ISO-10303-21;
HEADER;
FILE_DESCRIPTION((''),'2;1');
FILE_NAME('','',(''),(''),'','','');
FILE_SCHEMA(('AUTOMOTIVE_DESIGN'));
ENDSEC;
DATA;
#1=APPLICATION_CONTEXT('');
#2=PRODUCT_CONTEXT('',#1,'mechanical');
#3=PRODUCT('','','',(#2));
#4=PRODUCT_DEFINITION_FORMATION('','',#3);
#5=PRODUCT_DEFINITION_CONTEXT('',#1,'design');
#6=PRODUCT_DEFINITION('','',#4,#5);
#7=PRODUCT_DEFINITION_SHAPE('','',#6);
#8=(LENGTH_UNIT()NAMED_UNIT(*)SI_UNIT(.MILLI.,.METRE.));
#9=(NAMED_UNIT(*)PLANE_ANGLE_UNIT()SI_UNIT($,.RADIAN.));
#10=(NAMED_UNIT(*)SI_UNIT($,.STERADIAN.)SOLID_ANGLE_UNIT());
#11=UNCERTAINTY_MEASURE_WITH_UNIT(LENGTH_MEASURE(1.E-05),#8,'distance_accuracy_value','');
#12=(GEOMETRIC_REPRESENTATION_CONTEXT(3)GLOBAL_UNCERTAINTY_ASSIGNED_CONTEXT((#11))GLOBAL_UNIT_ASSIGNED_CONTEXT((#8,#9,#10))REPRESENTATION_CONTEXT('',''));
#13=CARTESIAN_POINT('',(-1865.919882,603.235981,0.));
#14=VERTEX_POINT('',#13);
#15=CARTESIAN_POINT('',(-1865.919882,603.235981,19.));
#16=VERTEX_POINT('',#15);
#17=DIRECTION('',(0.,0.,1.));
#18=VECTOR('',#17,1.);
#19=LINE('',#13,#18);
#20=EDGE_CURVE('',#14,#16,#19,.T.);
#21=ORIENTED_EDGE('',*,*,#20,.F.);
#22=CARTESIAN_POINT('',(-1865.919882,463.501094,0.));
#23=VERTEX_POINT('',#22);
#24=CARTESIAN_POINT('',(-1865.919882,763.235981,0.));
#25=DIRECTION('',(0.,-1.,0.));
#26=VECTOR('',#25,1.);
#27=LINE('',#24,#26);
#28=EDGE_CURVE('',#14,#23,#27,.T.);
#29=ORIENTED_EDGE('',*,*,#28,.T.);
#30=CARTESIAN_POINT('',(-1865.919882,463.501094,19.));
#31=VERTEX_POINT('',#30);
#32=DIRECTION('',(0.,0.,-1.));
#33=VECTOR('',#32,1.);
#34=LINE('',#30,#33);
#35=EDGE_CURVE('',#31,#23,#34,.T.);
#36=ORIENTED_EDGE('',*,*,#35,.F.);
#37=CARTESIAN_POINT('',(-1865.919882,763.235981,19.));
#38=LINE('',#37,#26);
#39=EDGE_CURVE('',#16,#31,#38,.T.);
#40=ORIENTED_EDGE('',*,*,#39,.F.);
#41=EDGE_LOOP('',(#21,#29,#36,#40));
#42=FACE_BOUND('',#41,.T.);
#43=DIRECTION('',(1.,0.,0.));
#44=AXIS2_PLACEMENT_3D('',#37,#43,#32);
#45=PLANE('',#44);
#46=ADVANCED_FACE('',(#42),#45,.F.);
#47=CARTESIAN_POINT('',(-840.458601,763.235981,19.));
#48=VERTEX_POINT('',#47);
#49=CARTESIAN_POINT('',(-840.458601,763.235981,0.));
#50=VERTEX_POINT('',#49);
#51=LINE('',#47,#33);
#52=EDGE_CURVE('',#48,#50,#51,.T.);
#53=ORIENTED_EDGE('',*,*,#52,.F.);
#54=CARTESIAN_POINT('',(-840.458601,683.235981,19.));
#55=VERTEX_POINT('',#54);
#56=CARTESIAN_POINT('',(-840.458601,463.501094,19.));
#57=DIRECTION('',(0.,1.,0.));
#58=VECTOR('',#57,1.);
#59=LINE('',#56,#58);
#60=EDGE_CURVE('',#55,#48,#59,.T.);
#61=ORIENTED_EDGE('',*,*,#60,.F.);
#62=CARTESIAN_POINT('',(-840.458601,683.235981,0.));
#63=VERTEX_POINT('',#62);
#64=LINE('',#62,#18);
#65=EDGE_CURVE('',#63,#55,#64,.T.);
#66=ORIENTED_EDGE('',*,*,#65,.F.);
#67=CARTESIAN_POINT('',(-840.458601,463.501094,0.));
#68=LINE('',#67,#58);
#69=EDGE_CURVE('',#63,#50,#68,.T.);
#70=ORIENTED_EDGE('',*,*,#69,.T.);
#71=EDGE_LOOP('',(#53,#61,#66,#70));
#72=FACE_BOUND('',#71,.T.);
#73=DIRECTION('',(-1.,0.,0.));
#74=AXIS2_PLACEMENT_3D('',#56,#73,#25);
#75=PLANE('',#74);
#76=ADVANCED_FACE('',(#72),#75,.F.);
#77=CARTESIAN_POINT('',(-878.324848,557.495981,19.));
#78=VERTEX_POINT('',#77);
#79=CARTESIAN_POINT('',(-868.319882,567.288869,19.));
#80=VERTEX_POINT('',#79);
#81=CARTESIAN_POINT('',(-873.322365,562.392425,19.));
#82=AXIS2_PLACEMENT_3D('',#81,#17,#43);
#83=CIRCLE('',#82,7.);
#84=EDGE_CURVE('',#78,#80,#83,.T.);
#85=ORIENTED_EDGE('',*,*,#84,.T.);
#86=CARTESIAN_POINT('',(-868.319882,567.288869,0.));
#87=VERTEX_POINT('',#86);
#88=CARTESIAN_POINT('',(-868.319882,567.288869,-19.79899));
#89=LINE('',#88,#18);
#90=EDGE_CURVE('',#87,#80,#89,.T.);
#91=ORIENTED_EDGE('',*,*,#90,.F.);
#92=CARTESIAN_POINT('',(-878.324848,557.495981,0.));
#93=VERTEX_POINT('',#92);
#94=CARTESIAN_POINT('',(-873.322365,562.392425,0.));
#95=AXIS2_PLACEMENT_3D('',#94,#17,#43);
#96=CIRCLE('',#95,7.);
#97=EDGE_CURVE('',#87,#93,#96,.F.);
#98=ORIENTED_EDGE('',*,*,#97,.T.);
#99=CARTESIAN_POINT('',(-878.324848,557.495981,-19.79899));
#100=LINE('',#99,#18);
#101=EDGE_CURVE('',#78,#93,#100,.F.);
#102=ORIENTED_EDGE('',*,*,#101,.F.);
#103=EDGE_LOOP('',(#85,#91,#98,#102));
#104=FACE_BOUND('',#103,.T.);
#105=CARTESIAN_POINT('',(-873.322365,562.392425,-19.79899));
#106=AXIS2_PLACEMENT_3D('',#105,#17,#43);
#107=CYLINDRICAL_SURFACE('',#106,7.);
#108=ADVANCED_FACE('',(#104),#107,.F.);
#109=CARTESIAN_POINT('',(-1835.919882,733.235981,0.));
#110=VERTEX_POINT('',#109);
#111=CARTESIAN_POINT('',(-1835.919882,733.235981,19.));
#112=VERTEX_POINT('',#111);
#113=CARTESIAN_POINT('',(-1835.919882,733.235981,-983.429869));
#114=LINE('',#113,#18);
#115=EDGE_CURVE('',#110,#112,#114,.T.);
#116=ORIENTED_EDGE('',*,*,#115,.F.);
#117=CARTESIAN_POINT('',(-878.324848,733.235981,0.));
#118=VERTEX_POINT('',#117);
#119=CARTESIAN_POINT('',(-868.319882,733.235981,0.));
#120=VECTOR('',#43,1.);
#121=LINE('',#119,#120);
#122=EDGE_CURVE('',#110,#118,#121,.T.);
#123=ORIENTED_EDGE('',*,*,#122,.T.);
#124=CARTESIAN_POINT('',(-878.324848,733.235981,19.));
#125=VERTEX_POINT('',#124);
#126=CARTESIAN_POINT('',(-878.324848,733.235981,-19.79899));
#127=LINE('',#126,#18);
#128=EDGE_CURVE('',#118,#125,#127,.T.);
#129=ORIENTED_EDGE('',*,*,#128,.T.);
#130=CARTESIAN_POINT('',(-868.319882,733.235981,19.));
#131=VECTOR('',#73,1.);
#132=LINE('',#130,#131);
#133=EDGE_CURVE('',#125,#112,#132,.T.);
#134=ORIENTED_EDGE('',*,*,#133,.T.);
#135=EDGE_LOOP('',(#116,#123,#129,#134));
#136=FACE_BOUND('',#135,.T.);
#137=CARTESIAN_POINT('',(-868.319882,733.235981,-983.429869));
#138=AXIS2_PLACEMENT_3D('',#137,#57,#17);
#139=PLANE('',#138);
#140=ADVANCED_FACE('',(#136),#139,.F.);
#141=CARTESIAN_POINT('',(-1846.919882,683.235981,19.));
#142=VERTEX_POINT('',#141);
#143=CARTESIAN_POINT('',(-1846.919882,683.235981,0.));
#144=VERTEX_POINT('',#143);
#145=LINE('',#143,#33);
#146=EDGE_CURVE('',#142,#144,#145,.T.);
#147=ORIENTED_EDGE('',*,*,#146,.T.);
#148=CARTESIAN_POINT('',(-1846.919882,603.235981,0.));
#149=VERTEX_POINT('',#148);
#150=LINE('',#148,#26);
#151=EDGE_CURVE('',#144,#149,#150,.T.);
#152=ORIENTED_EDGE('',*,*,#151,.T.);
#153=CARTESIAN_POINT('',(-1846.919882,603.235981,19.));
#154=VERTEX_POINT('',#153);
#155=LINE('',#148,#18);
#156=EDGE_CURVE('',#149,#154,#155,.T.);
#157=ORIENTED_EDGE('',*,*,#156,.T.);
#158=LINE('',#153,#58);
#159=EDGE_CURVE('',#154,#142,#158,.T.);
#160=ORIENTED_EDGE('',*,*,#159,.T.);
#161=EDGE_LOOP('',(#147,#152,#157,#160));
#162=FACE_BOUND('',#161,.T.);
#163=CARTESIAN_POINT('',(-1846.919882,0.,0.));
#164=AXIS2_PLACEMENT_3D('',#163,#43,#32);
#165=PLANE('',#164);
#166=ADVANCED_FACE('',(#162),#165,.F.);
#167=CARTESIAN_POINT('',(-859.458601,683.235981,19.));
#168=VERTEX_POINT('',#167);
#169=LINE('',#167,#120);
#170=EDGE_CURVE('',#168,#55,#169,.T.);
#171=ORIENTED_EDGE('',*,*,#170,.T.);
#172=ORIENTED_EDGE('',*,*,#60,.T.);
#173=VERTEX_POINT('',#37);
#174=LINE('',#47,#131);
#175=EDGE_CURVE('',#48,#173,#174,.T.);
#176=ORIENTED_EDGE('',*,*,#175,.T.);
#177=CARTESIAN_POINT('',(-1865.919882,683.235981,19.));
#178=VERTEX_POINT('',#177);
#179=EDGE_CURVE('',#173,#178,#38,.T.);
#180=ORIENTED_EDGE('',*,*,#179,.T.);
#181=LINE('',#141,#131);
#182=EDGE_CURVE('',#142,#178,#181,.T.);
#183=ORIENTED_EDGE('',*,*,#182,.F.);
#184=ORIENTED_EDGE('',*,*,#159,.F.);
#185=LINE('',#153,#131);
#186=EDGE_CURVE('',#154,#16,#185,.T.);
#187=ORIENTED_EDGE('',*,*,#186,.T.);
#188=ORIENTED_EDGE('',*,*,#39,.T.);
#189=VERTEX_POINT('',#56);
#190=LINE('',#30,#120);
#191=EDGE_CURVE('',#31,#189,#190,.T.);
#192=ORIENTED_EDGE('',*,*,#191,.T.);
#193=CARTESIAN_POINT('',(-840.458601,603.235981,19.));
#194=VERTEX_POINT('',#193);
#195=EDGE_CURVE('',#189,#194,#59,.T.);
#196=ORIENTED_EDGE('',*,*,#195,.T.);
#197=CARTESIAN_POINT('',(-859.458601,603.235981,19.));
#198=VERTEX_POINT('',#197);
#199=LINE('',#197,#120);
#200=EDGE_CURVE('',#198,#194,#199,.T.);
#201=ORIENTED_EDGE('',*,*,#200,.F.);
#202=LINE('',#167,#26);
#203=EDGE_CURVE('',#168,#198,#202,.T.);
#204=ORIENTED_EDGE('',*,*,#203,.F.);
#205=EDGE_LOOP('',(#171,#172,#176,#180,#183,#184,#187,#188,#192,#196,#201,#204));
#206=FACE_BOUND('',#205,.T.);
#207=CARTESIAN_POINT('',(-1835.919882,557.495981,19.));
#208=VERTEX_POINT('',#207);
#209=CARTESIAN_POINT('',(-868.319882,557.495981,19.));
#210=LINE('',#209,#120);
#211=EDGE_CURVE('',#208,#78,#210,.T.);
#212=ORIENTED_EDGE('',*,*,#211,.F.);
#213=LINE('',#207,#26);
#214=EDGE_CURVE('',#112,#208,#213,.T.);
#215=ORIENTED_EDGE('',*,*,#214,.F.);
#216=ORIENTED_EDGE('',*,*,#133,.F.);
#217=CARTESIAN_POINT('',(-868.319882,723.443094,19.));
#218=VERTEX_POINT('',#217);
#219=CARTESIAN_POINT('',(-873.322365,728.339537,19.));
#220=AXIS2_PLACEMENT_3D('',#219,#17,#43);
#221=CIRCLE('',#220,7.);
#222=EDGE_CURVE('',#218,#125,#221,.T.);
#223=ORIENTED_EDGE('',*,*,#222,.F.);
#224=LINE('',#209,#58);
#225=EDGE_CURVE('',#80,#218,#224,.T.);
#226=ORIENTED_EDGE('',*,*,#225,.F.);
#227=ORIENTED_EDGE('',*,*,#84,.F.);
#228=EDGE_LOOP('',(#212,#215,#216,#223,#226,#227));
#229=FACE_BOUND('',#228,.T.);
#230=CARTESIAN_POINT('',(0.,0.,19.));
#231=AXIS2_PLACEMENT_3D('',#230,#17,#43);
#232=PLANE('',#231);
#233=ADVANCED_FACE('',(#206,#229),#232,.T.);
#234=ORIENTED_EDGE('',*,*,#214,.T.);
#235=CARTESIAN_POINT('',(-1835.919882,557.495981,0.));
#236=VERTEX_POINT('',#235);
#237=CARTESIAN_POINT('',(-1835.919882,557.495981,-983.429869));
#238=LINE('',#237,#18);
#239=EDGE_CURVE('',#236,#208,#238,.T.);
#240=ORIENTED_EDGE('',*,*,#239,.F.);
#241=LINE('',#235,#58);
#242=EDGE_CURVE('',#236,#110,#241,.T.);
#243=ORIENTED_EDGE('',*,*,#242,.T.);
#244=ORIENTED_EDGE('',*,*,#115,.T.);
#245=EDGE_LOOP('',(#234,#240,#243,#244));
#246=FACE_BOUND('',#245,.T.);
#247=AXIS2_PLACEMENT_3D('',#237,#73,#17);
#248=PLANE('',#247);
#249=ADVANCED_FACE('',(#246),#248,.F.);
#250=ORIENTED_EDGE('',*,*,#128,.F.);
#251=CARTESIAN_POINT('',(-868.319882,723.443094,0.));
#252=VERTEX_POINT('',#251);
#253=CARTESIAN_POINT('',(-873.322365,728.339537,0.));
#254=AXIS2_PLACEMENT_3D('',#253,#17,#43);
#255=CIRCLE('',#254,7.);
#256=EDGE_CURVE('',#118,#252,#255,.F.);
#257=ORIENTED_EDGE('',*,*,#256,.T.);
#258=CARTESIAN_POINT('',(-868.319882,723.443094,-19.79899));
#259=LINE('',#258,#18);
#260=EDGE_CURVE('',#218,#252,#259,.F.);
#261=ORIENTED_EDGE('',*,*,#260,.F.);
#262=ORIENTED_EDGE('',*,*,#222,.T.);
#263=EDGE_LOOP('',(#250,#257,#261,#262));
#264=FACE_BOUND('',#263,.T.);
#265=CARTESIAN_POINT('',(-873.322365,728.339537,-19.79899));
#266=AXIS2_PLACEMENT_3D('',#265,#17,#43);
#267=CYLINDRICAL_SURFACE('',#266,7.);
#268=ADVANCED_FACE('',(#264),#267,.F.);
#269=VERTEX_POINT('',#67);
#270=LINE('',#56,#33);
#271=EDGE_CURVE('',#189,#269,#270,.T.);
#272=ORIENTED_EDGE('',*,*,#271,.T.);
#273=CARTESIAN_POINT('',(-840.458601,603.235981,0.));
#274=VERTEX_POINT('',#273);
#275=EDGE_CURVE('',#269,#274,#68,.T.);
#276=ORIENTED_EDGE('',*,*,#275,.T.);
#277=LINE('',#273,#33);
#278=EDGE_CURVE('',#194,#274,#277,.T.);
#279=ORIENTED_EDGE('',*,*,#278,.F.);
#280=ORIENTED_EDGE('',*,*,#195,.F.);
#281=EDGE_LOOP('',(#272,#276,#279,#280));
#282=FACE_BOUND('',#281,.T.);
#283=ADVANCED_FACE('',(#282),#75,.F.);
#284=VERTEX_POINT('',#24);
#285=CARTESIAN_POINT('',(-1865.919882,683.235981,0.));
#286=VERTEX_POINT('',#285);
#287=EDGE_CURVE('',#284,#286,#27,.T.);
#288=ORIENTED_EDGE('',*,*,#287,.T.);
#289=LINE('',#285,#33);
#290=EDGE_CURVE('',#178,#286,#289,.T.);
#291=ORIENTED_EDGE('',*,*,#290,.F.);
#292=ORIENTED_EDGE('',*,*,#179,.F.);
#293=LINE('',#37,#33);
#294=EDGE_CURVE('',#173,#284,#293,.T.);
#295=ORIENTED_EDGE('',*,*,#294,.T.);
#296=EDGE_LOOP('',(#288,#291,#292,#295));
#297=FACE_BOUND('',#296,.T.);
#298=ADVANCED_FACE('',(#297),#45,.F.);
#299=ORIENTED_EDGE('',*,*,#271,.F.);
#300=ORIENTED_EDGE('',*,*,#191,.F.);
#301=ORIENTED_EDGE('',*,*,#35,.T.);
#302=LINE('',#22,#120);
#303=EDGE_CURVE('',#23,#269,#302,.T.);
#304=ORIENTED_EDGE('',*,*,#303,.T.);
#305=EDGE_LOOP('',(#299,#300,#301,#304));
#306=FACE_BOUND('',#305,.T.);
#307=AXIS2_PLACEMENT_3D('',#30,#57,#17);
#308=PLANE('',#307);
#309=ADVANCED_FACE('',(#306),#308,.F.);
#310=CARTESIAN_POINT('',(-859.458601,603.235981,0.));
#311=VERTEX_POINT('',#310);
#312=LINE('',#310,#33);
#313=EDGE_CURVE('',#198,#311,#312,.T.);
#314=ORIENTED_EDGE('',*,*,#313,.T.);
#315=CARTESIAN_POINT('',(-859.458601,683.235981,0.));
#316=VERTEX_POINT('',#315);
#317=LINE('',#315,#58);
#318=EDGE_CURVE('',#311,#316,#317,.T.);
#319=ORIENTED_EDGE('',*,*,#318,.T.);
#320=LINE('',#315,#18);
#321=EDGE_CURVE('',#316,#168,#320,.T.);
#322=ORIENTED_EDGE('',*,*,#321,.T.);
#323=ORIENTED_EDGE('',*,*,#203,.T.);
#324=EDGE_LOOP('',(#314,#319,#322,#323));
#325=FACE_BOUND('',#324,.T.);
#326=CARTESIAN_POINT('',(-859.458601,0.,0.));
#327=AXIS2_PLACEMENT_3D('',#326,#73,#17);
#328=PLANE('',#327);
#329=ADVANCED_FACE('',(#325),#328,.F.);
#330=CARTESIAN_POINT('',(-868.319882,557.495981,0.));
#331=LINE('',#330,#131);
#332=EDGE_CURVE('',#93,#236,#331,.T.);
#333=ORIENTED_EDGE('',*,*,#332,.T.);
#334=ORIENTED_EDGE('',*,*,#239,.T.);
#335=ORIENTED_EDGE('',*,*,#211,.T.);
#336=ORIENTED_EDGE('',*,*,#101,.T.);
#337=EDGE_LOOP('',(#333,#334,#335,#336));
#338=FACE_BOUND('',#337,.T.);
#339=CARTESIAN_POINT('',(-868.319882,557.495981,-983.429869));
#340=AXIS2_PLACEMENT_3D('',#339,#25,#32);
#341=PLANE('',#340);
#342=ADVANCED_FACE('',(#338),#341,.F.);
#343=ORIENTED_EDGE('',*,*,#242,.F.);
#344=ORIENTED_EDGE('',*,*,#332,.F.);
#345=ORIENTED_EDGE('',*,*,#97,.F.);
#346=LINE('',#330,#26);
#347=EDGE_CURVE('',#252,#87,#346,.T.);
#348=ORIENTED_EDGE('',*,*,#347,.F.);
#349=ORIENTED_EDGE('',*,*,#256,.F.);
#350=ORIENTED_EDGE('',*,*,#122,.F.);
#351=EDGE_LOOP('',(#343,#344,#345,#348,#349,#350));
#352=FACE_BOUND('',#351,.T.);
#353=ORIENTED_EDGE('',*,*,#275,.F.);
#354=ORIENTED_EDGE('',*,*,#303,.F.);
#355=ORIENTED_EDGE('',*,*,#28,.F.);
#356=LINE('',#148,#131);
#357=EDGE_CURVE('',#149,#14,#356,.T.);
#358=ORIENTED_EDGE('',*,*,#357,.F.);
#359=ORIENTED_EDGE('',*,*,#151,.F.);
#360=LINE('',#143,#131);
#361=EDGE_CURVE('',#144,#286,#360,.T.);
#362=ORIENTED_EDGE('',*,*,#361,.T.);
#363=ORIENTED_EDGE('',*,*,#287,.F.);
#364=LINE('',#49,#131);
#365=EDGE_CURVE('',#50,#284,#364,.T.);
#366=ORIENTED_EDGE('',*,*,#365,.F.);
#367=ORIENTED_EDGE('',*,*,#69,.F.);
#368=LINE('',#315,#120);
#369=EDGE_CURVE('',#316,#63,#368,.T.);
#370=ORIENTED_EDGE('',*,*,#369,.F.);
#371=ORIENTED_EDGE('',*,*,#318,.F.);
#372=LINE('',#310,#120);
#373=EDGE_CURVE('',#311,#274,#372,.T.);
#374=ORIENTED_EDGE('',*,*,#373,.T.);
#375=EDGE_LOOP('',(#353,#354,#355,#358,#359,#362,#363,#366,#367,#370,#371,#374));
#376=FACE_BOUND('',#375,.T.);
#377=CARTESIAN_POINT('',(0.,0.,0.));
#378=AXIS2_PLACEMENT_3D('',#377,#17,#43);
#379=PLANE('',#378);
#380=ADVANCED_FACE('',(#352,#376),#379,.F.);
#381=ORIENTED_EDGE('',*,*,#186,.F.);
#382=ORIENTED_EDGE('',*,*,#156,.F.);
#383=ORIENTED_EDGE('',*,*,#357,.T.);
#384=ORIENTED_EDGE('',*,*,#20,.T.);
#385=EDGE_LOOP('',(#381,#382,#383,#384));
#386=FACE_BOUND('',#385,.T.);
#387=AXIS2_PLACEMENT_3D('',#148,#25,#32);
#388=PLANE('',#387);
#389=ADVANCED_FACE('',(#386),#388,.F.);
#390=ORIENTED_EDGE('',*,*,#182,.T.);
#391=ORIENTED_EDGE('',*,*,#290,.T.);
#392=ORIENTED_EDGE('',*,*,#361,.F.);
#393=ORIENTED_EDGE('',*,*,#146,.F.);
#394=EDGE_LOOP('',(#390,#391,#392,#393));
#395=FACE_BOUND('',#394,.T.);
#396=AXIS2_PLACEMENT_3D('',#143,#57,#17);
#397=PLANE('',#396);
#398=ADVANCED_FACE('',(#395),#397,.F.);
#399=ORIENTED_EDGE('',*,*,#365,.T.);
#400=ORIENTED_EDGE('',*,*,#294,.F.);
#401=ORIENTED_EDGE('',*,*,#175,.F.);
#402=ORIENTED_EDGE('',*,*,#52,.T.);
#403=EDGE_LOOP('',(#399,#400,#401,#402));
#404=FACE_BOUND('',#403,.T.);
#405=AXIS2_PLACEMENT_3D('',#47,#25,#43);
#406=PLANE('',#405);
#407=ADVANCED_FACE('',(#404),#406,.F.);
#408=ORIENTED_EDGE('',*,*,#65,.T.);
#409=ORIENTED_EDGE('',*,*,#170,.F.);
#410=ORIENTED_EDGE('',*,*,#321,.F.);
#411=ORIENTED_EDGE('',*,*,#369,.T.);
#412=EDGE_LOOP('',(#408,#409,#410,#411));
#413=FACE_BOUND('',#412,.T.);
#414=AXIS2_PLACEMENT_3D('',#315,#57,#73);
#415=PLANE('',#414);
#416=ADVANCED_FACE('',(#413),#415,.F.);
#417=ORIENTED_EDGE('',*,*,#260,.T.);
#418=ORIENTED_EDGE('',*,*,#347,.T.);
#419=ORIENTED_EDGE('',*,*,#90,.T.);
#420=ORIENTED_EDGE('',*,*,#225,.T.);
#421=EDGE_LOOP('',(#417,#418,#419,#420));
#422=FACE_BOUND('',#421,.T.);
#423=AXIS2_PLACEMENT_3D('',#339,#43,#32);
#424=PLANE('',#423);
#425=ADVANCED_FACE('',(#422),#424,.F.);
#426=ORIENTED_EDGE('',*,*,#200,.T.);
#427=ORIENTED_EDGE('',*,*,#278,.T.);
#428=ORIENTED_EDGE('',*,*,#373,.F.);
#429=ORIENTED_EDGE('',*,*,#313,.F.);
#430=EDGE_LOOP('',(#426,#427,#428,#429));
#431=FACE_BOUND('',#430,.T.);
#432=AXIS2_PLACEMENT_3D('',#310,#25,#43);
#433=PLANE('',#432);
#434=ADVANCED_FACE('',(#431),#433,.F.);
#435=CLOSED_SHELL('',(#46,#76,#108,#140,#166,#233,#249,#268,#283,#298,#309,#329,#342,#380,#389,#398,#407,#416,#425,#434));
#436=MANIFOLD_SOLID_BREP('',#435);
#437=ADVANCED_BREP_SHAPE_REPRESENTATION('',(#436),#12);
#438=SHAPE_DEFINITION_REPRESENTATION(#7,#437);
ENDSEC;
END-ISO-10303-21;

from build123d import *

# Parameters (mm, degrees)
SKETCH1_W           = 1025.461280364
SKETCH1_H           = 299.73488768
BOSS_EXTRUDE1_DEPTH = 19
SKETCH2_W           = 967.6
SKETCH2_H           = 175.74
CUT_EXTRUDE1_DEPTH  = 19
SKETCH3_R           = 7
CUT_EXTRUDE2_DEPTH  = 19
SKETCH5_W           = 19
SKETCH5_H           = 80
CUT_EXTRUDE3_DEPTH  = 19
SKETCH6_W           = 19
SKETCH6_H           = 80
CUT_EXTRUDE4_DEPTH  = 19


with BuildPart() as part:
    # Sketch1 → Boss-Extrude1 (new body)
    with BuildSketch(Plane.XY):
        with Locations((-1353.189241506, 613.368537441)):
            Rectangle(SKETCH1_W, SKETCH1_H)
    extrude(amount=BOSS_EXTRUDE1_DEPTH)

    # Sketch2 → Cut-Extrude1 (cut)
    with BuildSketch(Plane.XY.offset(19)):
        with Locations((-1352.119881688, 645.365981281)):
            Rectangle(SKETCH2_W, SKETCH2_H)
    extrude(amount=-CUT_EXTRUDE1_DEPTH, mode=Mode.SUBTRACT)

    # Sketch3 → Cut-Extrude2 (cut)
    with BuildSketch(Plane.XY.offset(19)):
        with Locations((-873.322364856, 728.339537454)):
            Circle(SKETCH3_R)
        with Locations((-873.322364856, 562.392425108)):
            Circle(SKETCH3_R)
    extrude(amount=-CUT_EXTRUDE2_DEPTH, mode=Mode.SUBTRACT)

    # Sketch5 → Cut-Extrude3 (cut)
    with BuildSketch(Plane(origin=(-840.458601324, 0, 0), x_dir=(0, 0, -1), z_dir=(1, 0, 0))):
        with Locations((-9.5, 643.235981281)):
            Rectangle(SKETCH5_W, SKETCH5_H)
    extrude(amount=-CUT_EXTRUDE3_DEPTH, mode=Mode.SUBTRACT)

    # Sketch6 → Cut-Extrude4 (cut)
    with BuildSketch(Plane.ZY.offset(1865.919881688)):
        with Locations((9.5, 643.235981281)):
            Rectangle(SKETCH6_W, SKETCH6_H)
    extrude(amount=-CUT_EXTRUDE4_DEPTH, mode=Mode.SUBTRACT)


solid = part.part
